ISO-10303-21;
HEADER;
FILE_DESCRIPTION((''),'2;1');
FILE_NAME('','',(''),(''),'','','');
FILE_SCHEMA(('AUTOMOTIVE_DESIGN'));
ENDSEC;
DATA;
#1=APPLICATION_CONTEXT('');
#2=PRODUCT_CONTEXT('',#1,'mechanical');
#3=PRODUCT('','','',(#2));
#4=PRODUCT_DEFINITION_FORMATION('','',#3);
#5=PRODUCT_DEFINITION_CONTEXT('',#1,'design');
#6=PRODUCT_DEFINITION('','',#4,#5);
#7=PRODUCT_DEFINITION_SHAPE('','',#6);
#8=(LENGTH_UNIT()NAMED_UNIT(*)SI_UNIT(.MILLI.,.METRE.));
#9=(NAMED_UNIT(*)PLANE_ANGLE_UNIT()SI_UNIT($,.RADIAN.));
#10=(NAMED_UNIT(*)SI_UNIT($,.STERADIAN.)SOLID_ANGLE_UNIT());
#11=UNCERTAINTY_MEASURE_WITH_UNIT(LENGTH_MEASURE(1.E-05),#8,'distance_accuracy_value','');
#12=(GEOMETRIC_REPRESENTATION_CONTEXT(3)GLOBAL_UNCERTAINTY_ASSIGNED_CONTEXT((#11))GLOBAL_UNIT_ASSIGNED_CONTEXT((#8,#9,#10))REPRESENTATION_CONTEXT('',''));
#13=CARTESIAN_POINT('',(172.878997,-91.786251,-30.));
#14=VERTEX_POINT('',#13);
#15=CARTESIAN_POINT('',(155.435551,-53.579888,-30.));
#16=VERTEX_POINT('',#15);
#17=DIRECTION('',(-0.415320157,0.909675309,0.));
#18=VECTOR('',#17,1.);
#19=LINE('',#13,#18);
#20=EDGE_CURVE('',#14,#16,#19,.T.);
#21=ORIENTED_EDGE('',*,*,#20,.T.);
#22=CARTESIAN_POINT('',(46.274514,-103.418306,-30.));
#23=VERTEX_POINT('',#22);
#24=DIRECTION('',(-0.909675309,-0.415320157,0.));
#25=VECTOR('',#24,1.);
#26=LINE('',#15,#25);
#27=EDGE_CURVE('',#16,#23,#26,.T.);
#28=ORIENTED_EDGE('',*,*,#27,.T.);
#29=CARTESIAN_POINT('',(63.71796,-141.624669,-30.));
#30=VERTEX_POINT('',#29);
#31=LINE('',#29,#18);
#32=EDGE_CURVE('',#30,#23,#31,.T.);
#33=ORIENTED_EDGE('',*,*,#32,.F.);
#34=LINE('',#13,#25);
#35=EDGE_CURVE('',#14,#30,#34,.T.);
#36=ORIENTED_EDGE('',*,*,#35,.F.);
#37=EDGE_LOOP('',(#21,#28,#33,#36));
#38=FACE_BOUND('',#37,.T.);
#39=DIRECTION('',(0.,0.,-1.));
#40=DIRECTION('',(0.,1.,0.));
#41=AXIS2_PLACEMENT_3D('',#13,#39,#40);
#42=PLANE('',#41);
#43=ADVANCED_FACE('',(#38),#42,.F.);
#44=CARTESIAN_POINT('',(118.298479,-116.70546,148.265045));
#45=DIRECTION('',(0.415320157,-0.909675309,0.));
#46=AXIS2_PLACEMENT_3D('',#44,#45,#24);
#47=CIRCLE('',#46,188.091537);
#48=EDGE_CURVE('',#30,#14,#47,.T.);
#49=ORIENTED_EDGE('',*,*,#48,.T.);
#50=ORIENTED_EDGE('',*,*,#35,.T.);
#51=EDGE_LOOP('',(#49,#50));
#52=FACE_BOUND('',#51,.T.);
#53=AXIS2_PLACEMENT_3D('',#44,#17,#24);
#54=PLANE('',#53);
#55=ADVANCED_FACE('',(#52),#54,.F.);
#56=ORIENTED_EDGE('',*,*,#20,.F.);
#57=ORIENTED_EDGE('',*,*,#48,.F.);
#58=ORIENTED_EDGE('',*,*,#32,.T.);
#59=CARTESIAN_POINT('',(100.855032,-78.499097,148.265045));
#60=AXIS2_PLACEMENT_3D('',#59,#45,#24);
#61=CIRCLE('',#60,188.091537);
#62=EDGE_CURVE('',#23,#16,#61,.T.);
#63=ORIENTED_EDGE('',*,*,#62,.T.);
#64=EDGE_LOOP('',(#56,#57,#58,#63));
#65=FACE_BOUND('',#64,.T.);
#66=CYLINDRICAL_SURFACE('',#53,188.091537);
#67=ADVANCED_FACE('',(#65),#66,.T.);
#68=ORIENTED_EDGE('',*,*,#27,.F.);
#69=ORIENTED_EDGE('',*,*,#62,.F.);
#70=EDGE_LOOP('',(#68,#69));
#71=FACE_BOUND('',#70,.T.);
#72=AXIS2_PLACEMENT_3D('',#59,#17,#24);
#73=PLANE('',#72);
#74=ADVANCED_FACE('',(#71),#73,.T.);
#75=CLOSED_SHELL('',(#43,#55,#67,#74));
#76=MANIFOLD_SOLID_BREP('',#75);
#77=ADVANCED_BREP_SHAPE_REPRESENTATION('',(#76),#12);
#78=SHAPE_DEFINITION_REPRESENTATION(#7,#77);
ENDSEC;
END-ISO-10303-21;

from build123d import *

# Parameters (mm, degrees)
BOSS_EXTRUDE1_DEPTH      = 21
BOSS_EXTRUDE1_DEPTH_BACK = 21


with BuildPart() as part:
    # Sketch2 → Boss-Extrude1 (new, two sides: drawn at the far end of the back side and taken through both)
    with BuildSketch(Plane(origin=(55.775760293, -122.16558985, 0), x_dir=(0, 0, -1), z_dir=(0.41532015702819985, -0.9096753086492299, 0)).offset(-BOSS_EXTRUDE1_DEPTH_BACK)):
        with BuildLine():
            Line((30, 119.143075391), (30, -0.856924609))
            ThreePointArc((30, -0.856924609), (39.826491925, 59.143075391), (30, 119.143075391))
        make_face()
    extrude(amount=BOSS_EXTRUDE1_DEPTH + BOSS_EXTRUDE1_DEPTH_BACK)


solid = part.part
